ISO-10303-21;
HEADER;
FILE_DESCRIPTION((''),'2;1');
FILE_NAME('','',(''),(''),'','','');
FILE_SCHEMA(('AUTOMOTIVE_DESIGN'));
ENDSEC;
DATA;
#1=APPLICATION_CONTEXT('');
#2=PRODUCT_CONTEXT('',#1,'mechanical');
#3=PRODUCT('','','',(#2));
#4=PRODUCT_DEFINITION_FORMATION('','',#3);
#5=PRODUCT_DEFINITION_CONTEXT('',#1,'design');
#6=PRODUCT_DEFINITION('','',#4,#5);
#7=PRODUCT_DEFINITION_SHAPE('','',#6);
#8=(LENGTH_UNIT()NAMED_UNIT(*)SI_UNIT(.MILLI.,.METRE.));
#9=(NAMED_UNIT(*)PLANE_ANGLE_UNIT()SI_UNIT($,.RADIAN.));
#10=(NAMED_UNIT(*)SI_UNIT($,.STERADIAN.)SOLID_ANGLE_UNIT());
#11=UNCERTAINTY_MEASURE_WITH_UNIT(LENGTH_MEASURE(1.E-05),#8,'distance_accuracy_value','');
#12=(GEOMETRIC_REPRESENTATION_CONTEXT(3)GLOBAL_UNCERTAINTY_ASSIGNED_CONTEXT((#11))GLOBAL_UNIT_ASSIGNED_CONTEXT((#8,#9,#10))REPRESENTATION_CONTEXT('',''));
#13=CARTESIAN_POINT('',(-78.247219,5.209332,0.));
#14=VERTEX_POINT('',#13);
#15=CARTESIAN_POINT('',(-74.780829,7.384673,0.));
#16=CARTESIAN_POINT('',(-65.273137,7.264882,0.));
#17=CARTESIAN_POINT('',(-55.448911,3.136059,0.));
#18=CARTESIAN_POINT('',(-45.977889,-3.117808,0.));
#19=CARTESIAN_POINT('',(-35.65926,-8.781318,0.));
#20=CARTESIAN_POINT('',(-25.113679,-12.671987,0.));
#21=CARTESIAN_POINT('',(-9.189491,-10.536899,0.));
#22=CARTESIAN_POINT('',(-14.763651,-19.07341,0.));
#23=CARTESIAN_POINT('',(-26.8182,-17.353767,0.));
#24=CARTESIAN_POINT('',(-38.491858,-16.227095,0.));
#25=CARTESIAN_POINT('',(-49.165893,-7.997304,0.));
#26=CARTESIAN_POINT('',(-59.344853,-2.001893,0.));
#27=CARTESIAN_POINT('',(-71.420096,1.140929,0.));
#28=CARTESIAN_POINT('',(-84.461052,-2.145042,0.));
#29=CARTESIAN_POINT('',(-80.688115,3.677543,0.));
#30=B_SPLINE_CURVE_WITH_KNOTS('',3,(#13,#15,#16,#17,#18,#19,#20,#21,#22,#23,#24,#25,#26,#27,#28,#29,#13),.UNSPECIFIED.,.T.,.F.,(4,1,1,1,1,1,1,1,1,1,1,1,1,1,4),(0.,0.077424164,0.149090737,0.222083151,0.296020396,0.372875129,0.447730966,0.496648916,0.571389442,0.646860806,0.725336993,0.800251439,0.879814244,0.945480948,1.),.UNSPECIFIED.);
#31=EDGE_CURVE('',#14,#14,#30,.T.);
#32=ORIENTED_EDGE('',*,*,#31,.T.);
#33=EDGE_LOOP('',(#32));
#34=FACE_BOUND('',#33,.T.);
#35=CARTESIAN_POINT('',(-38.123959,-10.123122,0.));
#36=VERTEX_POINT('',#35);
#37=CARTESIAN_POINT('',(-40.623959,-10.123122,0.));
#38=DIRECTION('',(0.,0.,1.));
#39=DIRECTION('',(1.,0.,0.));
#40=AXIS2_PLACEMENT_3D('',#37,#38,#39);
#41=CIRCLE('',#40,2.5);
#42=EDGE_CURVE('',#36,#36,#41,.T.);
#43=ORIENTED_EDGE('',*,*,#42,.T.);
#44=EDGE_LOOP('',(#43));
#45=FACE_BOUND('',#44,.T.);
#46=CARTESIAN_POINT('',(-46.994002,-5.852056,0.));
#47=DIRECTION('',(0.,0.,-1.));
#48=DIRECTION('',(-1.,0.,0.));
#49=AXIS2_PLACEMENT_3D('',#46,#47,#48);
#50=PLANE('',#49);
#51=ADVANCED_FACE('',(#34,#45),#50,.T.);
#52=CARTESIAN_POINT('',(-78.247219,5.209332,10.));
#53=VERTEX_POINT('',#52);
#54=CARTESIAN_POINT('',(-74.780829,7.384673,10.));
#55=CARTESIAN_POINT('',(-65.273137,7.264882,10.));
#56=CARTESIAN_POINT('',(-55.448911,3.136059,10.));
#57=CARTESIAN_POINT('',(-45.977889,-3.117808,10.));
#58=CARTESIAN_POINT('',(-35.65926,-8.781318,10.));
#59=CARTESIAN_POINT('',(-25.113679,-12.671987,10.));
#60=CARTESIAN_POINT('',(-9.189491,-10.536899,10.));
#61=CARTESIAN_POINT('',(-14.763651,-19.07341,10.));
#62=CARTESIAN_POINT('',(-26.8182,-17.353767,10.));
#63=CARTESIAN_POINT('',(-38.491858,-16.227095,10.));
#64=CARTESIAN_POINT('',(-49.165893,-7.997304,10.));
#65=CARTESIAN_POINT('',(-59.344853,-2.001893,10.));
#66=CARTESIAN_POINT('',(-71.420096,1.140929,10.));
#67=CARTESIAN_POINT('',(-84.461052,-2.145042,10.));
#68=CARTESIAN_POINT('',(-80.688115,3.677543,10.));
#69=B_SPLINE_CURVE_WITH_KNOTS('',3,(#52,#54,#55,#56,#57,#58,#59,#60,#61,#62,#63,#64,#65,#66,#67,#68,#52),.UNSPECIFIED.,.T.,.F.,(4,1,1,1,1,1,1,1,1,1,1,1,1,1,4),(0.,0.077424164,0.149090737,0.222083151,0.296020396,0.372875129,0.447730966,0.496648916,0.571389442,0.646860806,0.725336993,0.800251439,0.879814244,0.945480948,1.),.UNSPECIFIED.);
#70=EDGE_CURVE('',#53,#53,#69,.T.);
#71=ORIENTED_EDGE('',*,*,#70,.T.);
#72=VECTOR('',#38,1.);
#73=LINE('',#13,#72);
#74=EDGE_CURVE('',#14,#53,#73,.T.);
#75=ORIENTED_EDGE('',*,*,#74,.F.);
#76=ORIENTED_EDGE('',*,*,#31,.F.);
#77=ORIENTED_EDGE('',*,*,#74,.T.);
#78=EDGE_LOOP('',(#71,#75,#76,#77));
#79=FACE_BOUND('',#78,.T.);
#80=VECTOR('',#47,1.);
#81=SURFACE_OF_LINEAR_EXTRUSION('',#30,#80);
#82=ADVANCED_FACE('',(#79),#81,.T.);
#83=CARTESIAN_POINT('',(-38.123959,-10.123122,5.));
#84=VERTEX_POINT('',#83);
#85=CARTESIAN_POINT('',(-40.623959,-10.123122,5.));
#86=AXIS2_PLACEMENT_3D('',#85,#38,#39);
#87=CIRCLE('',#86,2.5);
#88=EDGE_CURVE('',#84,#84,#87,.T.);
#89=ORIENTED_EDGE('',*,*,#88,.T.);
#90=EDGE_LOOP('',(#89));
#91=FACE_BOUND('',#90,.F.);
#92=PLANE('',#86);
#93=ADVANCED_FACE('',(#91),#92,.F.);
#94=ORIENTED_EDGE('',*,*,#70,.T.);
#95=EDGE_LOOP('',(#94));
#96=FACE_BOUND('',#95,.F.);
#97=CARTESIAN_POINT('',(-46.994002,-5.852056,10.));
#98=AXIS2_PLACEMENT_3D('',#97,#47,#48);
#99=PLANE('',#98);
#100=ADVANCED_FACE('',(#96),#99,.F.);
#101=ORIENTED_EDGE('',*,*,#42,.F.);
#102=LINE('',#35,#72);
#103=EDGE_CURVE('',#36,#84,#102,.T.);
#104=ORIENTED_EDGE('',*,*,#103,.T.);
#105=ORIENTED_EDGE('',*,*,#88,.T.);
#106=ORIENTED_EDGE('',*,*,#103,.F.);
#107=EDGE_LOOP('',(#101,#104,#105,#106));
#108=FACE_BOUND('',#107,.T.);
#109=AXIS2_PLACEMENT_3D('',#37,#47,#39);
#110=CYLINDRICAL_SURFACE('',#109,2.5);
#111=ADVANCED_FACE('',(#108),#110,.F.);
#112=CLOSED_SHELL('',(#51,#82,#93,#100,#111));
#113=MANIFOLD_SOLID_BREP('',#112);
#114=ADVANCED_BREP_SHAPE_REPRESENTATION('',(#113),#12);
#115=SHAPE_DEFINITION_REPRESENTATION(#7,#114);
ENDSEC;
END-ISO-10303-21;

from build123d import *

# Parameters (mm, degrees)
F1_DEPTH = 10
F2_R     = 2.5
F3_DEPTH = 5


with BuildPart() as f1:
    # F0 (on Top) → F1 (new body)
    with BuildSketch(Plane.XY):
        with BuildLine():
            add(Edge.make_bspline(
                [(-78.2472194041, 5.209332332), (-74.7808291996, 7.3846725727), (-65.2731373761, 7.2648824506), (-55.4489107601, 3.1360594696), (-45.977889366, -3.1178081228), (-35.6592598633, -8.7813179091), (-25.1136788971, -12.6719874753), (-9.1894913322, -10.5368988865), (-14.7636505673, -19.073410214), (-26.8182003262, -17.3537669534), (-38.4918575286, -16.2270951527), (-49.1658932491, -7.9973039669), (-59.3448526203, -2.0018931438), (-71.4200963358, 1.1409288325), (-84.4610522393, -2.1450423024), (-80.6881151149, 3.6775432518), (-78.2472194041, 5.209332332)],
                knots=[0, 0, 0, 0, 0.0774241635, 0.1490907373, 0.2220831507, 0.2960203961, 0.372875129, 0.4477309657, 0.4966489155, 0.5713894416, 0.6468608065, 0.7253369929, 0.8002514388, 0.879814244, 0.9454809478, 1, 1, 1, 1], degree=3))
        make_face()
    extrude(amount=F1_DEPTH)

    # F2 (on Top) → F3 (cut)
    with BuildSketch(Plane.XY):
        with Locations((-40.6239591539, -10.1231224835)):
            Circle(F2_R)
    extrude(amount=F3_DEPTH, mode=Mode.SUBTRACT)


solid = f1.part
